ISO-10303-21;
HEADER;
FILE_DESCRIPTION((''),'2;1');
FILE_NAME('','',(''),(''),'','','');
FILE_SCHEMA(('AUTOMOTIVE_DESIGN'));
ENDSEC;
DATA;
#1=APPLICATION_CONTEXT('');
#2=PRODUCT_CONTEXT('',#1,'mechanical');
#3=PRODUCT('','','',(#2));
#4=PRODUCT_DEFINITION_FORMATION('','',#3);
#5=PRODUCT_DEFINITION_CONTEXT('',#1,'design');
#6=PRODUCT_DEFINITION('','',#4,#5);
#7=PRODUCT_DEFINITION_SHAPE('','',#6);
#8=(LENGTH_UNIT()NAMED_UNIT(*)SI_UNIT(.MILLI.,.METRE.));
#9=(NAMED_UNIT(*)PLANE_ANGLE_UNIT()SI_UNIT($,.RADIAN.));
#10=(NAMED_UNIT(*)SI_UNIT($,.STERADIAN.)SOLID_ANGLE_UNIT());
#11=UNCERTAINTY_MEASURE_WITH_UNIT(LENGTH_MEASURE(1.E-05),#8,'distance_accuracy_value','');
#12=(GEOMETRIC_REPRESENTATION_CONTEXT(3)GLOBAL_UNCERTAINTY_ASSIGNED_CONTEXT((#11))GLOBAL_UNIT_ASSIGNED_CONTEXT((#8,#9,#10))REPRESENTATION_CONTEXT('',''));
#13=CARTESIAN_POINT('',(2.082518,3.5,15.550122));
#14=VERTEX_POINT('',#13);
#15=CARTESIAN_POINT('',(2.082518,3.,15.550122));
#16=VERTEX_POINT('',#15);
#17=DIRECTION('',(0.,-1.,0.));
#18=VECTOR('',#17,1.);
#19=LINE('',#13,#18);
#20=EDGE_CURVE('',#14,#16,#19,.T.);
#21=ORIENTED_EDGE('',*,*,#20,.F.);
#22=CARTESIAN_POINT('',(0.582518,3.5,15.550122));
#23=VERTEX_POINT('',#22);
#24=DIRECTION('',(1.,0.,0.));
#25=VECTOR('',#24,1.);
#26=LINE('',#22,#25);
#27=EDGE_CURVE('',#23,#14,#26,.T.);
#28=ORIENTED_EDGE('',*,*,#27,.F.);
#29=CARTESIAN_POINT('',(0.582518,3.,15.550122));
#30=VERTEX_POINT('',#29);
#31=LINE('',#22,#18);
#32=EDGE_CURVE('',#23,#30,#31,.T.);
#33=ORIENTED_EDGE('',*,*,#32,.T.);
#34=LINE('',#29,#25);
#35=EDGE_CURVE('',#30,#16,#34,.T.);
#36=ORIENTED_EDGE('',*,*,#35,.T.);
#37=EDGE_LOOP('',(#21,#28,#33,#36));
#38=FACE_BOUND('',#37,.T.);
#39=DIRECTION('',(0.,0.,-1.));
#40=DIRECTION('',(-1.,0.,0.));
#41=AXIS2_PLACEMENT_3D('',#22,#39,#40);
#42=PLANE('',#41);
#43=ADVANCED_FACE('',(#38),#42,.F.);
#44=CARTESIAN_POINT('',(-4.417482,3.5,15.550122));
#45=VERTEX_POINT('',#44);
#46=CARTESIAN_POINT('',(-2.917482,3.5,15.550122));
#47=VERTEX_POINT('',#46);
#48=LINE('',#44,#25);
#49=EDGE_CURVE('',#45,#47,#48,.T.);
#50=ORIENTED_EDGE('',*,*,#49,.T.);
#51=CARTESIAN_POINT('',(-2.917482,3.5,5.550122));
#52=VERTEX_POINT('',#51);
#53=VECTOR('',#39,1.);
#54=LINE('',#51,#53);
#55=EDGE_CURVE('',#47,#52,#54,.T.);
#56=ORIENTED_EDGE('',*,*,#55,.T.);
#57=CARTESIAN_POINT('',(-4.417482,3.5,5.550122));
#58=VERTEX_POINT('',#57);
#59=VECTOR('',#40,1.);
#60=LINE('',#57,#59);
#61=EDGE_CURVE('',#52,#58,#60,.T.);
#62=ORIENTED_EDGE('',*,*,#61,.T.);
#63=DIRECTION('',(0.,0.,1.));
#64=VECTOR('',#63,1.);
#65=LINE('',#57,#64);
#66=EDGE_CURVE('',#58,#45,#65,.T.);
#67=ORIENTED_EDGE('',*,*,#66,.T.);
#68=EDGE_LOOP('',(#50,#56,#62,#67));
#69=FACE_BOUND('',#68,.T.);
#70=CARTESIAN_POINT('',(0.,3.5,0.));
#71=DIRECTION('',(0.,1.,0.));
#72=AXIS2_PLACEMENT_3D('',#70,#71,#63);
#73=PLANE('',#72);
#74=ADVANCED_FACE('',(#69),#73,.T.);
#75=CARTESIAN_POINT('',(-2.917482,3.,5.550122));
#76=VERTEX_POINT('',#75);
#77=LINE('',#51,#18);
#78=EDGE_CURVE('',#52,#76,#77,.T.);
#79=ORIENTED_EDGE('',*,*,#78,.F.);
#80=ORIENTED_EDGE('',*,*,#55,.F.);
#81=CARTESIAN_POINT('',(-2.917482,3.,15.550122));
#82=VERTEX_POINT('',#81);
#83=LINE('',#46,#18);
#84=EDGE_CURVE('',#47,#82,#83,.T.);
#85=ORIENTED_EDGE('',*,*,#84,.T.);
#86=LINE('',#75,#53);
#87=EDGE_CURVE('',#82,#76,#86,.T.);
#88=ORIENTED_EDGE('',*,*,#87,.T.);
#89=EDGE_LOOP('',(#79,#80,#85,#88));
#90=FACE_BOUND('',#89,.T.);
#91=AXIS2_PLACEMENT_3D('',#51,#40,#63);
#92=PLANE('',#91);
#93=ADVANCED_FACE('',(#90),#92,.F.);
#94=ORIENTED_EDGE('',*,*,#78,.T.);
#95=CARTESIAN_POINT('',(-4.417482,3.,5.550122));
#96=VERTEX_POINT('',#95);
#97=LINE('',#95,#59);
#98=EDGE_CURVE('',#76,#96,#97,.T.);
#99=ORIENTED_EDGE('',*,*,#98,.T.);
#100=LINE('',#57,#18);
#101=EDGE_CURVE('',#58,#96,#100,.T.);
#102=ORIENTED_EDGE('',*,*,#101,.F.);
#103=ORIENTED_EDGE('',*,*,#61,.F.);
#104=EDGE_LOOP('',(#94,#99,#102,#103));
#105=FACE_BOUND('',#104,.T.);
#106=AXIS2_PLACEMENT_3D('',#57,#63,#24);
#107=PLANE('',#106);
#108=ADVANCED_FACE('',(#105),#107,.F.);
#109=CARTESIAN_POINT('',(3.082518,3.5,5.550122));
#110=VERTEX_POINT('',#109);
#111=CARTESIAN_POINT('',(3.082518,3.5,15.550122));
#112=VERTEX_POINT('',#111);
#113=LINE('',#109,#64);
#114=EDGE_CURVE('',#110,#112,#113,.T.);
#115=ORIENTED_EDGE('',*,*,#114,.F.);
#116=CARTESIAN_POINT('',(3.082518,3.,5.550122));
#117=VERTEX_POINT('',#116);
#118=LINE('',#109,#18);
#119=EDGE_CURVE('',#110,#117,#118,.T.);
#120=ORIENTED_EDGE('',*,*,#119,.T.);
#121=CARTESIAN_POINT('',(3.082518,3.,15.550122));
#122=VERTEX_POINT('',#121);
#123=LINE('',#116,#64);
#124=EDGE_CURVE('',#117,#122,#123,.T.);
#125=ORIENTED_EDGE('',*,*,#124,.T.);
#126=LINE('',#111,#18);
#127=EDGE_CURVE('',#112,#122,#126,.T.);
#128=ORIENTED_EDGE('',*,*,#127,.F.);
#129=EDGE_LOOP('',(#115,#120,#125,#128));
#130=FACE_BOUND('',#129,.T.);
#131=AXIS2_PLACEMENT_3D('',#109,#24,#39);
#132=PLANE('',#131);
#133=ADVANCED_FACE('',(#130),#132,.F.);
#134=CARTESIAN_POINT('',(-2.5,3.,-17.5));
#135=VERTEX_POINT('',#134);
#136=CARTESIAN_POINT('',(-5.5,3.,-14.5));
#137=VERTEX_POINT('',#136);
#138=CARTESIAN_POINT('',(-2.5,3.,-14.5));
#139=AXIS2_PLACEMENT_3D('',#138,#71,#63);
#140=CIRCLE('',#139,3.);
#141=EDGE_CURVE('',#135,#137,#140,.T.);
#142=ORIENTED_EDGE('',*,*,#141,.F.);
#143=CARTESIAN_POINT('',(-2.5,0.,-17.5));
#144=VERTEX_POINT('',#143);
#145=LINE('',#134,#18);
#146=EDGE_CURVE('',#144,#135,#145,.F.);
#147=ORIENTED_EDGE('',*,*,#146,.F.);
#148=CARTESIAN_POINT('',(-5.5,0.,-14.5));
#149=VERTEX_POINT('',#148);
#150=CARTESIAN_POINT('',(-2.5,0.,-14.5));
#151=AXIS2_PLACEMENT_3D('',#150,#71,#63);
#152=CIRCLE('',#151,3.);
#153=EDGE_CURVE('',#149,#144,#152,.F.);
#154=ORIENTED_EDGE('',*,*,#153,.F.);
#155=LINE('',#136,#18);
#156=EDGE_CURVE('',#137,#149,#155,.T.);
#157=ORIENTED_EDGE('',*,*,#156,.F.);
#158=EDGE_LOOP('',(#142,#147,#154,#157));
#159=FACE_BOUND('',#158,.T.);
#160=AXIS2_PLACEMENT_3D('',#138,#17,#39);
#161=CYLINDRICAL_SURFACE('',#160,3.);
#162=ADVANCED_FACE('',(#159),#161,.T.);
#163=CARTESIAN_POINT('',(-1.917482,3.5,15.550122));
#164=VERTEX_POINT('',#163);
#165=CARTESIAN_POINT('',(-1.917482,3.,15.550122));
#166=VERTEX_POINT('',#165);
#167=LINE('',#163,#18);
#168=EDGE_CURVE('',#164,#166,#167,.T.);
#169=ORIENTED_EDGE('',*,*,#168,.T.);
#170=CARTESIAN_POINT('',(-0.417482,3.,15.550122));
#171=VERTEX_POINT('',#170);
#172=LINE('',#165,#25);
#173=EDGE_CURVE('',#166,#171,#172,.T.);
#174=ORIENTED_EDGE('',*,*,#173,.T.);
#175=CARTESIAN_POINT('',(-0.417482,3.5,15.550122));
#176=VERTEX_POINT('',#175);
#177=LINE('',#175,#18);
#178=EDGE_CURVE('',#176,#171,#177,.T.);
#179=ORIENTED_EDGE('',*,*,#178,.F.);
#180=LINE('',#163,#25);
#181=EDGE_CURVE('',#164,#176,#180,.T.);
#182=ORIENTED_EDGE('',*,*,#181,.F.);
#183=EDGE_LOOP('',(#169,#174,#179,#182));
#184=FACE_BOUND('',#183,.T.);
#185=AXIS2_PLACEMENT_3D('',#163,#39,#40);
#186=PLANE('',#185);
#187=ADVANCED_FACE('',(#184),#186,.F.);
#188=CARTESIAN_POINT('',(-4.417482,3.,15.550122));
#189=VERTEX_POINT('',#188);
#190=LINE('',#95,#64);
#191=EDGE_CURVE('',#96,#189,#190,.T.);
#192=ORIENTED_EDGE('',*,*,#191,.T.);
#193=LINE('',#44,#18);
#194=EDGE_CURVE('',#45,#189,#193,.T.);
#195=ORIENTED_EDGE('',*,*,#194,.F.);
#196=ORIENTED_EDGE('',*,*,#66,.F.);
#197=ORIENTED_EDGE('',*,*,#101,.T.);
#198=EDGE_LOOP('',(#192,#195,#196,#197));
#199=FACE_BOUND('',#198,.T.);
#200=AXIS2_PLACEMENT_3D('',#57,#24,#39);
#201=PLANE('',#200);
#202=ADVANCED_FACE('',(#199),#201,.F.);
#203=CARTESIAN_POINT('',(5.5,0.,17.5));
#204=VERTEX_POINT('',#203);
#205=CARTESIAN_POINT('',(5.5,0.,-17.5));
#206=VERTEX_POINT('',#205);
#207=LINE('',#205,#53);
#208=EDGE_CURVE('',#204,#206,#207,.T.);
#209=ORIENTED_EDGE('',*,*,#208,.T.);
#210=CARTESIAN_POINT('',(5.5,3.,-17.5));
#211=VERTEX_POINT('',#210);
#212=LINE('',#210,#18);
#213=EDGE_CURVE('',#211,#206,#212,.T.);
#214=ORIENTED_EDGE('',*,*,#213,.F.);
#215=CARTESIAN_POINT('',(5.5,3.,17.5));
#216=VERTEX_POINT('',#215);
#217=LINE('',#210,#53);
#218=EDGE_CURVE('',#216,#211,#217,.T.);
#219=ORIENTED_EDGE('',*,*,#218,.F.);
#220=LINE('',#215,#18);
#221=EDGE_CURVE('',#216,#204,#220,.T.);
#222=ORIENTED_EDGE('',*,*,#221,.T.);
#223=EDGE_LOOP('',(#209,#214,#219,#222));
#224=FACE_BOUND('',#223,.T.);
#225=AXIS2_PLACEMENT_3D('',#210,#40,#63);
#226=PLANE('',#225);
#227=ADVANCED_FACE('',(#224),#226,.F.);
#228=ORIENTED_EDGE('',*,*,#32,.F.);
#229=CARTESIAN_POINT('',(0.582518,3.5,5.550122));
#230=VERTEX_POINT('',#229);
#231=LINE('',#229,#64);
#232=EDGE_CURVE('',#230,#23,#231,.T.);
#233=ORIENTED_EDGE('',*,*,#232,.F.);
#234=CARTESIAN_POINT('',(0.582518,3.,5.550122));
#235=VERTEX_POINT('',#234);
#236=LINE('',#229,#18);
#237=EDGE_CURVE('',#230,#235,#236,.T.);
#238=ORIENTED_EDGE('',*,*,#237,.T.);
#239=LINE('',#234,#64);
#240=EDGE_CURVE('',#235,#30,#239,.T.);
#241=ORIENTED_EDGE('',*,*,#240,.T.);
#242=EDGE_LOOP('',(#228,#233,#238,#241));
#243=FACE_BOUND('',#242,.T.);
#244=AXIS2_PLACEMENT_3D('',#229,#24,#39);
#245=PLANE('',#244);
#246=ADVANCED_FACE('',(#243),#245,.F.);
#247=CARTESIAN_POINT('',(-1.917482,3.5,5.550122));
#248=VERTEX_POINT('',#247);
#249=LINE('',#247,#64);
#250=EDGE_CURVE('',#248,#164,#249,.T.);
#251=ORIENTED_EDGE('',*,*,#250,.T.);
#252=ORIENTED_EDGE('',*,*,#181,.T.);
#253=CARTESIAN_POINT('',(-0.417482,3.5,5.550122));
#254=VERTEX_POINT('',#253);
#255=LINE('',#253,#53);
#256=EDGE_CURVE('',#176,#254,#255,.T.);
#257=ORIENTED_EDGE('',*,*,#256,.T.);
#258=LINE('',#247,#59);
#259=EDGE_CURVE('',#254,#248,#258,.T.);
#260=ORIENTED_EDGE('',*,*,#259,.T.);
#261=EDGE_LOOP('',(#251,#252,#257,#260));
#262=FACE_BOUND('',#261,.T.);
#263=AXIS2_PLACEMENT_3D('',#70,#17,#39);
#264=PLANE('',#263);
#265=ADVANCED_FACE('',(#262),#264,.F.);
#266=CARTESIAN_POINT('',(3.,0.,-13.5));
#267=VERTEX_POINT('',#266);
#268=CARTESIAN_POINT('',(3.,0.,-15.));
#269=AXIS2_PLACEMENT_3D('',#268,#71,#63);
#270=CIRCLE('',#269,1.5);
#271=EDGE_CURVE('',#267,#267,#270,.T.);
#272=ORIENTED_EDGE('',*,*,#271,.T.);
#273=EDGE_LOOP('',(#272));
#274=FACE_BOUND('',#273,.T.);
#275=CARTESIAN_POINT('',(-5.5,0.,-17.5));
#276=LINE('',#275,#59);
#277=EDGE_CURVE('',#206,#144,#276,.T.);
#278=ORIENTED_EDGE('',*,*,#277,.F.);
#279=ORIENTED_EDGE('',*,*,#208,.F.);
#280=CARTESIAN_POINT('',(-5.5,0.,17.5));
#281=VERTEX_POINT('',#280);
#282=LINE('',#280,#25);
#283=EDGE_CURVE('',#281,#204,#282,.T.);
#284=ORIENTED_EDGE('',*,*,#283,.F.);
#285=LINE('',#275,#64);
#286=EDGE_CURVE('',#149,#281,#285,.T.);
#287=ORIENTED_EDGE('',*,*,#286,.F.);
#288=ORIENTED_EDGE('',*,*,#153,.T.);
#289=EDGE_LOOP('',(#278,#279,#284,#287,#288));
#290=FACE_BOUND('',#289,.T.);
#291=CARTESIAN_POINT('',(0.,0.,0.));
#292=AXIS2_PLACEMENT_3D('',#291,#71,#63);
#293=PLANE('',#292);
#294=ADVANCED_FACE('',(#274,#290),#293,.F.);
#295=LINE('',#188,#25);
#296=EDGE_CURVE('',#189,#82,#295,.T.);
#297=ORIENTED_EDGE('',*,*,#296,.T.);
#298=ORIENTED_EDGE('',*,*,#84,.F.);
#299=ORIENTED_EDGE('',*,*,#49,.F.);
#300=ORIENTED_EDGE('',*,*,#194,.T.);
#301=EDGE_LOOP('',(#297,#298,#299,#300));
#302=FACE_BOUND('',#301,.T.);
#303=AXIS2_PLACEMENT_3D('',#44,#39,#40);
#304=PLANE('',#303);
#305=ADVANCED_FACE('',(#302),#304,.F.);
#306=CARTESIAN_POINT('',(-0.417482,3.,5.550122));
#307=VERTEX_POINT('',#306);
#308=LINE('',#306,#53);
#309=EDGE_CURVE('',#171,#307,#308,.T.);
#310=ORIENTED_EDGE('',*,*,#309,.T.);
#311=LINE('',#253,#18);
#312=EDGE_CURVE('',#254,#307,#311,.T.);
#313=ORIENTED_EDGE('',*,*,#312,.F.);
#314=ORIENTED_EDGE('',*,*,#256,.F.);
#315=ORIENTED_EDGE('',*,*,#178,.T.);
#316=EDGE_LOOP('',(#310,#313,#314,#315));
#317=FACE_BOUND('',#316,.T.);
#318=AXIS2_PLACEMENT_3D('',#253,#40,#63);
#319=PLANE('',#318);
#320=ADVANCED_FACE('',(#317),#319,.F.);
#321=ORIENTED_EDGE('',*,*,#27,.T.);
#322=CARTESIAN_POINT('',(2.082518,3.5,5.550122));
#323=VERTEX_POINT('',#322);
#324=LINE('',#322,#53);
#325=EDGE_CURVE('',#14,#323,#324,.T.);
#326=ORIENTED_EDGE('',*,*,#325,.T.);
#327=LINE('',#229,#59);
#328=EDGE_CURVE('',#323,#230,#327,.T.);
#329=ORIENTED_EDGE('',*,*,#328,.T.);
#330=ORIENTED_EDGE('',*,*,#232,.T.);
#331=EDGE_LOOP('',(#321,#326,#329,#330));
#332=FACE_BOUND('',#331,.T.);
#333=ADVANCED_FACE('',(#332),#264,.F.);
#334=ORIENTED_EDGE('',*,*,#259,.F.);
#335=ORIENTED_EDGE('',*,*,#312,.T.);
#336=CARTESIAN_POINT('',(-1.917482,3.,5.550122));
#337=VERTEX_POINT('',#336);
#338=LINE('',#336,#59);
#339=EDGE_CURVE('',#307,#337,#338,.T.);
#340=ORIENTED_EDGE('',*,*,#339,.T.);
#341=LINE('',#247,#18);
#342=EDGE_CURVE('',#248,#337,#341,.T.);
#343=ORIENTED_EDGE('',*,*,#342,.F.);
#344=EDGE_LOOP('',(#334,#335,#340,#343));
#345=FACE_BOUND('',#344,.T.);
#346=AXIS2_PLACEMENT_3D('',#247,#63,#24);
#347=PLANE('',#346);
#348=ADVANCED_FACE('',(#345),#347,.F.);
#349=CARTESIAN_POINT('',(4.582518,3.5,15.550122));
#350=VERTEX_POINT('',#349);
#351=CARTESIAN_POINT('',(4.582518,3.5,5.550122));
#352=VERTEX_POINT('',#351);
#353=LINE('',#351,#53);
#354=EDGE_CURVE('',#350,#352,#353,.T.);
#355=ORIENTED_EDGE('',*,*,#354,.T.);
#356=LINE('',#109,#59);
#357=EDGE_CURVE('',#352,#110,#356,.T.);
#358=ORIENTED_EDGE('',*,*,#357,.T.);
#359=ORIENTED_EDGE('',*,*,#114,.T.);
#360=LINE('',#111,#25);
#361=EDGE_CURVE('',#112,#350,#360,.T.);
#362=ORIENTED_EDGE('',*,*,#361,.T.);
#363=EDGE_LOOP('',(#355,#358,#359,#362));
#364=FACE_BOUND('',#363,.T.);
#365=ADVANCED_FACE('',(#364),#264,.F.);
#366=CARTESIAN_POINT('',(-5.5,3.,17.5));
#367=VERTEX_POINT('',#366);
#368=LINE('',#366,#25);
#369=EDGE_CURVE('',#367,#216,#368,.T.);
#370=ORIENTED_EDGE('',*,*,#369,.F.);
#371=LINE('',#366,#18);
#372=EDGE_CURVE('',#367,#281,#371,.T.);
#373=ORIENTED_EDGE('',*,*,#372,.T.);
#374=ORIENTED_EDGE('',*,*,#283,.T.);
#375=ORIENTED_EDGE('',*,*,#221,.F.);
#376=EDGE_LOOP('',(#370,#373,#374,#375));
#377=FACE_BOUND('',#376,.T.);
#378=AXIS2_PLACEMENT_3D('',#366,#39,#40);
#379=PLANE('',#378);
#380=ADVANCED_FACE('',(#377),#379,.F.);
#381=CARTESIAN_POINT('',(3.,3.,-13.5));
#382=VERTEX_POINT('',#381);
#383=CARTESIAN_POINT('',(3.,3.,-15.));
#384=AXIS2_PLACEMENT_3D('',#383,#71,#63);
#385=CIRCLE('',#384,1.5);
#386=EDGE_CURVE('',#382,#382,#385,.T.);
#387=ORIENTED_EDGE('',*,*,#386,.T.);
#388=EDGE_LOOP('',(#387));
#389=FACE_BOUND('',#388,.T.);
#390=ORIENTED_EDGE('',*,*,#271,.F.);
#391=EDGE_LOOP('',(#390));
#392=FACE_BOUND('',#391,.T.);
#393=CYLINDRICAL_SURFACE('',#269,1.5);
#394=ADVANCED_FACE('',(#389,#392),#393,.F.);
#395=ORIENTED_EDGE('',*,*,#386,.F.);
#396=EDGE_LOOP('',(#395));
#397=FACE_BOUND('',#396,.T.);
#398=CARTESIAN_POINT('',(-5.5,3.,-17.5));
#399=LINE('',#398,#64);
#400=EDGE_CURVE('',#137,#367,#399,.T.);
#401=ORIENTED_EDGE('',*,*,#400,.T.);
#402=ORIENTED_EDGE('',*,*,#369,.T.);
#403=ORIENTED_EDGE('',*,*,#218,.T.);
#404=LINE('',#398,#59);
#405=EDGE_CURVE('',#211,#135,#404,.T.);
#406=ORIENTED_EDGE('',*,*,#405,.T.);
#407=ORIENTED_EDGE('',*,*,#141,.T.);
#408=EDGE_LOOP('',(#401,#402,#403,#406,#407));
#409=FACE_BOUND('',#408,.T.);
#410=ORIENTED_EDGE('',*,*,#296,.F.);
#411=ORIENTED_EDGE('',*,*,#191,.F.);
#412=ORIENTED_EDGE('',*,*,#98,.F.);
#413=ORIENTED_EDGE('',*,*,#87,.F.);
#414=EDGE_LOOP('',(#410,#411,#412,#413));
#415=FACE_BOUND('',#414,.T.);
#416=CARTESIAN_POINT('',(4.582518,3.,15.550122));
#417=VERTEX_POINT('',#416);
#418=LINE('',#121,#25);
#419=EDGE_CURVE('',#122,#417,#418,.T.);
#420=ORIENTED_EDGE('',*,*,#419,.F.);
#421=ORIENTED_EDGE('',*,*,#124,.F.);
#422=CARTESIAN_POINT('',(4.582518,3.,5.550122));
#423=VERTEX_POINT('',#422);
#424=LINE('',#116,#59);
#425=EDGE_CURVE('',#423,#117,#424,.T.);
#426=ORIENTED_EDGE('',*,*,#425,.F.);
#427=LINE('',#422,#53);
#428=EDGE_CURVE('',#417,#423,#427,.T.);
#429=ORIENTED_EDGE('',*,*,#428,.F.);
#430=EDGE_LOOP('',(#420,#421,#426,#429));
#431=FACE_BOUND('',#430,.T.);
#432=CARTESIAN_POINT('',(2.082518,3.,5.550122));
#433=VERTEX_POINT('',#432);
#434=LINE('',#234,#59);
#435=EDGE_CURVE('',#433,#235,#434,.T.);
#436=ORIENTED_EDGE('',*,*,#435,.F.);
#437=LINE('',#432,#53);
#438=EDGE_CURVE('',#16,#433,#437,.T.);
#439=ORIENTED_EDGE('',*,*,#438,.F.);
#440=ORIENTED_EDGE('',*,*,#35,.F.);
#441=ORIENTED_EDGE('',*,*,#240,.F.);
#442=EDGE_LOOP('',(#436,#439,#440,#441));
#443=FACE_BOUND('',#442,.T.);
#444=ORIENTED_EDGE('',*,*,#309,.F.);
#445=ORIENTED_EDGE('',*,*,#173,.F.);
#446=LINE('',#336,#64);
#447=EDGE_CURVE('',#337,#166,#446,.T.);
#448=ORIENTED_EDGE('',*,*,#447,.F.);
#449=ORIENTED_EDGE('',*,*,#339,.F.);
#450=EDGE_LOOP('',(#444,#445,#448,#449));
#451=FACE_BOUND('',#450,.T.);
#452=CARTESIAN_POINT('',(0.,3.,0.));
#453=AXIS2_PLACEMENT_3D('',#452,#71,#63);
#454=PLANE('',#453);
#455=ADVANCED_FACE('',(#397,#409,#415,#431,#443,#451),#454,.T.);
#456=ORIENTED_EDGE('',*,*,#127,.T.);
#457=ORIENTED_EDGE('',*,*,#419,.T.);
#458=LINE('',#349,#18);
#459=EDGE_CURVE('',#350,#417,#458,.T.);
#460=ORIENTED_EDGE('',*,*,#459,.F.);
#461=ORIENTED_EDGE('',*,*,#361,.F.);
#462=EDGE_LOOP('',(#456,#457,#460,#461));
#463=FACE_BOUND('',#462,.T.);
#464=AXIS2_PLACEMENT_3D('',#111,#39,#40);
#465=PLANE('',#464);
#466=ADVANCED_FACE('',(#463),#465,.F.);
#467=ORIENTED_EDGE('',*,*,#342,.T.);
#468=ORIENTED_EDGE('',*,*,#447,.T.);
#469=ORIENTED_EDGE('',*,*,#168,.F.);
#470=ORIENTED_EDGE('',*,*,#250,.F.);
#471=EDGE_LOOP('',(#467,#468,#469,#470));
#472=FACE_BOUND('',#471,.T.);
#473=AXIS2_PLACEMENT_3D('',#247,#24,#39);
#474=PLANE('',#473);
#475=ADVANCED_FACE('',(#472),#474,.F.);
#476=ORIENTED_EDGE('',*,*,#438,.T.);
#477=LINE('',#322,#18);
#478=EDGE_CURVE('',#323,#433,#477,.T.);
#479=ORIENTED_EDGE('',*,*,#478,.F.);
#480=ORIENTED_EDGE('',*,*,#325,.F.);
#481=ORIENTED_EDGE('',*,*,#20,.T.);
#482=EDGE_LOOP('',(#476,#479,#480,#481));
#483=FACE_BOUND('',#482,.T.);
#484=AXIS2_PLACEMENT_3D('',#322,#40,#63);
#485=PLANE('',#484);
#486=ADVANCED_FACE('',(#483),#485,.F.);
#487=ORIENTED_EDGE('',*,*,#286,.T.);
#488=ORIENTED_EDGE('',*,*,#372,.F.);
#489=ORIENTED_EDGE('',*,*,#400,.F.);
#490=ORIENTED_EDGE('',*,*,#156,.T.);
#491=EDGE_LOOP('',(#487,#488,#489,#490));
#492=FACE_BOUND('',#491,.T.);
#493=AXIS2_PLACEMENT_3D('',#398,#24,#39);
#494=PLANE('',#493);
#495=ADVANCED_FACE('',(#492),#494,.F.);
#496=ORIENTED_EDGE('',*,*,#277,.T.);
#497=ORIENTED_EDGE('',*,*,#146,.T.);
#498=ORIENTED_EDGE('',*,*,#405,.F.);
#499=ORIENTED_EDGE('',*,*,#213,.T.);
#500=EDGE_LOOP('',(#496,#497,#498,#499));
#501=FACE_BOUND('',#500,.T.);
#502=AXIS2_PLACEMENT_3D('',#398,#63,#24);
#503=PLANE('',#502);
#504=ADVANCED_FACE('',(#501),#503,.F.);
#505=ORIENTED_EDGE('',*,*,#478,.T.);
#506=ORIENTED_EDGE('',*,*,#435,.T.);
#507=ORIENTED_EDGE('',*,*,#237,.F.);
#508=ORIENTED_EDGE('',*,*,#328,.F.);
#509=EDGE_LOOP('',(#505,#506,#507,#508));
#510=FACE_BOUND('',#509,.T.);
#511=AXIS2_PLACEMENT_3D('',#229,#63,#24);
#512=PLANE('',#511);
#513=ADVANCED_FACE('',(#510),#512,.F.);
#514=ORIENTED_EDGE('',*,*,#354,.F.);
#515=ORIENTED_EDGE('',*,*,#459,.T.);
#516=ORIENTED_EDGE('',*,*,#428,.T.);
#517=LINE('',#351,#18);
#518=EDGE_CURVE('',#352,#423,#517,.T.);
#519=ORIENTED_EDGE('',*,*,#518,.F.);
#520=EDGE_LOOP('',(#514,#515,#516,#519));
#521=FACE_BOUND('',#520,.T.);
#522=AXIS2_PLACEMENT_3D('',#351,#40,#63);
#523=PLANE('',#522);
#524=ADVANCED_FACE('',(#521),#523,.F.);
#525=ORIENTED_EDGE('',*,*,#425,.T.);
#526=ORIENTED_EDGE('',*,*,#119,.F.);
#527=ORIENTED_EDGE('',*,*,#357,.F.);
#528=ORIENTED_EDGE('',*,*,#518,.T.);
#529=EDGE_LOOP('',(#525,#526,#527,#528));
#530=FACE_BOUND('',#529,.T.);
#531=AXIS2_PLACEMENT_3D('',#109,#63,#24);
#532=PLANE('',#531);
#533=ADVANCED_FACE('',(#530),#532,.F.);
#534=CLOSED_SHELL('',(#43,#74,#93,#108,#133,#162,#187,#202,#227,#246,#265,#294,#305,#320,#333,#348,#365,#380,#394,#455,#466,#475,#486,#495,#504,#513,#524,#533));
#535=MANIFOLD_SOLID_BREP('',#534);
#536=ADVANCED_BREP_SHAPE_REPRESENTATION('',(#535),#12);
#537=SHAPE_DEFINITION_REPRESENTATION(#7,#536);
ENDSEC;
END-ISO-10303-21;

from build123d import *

# Parameters (mm, degrees)
SKETCH1_W           = 11
SKETCH1_H           = 35
BOSS_EXTRUDE1_DEPTH = 3
SKETCH2_R           = 1.5
CUT_EXTRUDE1_DEPTH  = 3
FILLET1_R           = 3
SKETCH3_W           = 1.5
SKETCH3_H           = 10
BOSS_EXTRUDE2_DEPTH = 0.5


with BuildPart() as part:
    # Sketch1 → Boss-Extrude1 (new body)
    with BuildSketch(Plane(origin=(0, 0, 0), x_dir=(1, 0, 0), z_dir=(0, 1, 0))):
        Rectangle(SKETCH1_W, SKETCH1_H)
    extrude(amount=BOSS_EXTRUDE1_DEPTH)

    # Sketch2 → Cut-Extrude1 (cut)
    with BuildSketch(Plane(origin=(0, 3, 0), x_dir=(1, 0, 0), z_dir=(0, 1, 0))):
        with Locations(Location((3, 15, 0), (0, 0, 270))):
            Circle(SKETCH2_R)
    extrude(amount=-CUT_EXTRUDE1_DEPTH, mode=Mode.SUBTRACT)

    # Fillet1
    fillet1_edges = [part.edges().sort_by_distance(p)[0] for p in [
        (-5.5, 1.5, -17.5),
    ]]
    fillet(fillet1_edges, radius=FILLET1_R)

    # Sketch3 → Boss-Extrude2 (add)
    with BuildSketch(Plane(origin=(0, 3, 0), x_dir=(1, 0, 0), z_dir=(0, 1, 0))):
        with Locations((-1.167481663, -10.550122249)):
            Rectangle(SKETCH3_W, SKETCH3_H)
        with Locations((-3.667481663, -10.550122249)):
            Rectangle(SKETCH3_W, SKETCH3_H)
        with Locations((1.332518337, -10.550122249)):
            Rectangle(SKETCH3_W, SKETCH3_H)
        with Locations((3.832518337, -10.550122249)):
            Rectangle(SKETCH3_W, SKETCH3_H)
    extrude(amount=BOSS_EXTRUDE2_DEPTH)


solid = part.part
